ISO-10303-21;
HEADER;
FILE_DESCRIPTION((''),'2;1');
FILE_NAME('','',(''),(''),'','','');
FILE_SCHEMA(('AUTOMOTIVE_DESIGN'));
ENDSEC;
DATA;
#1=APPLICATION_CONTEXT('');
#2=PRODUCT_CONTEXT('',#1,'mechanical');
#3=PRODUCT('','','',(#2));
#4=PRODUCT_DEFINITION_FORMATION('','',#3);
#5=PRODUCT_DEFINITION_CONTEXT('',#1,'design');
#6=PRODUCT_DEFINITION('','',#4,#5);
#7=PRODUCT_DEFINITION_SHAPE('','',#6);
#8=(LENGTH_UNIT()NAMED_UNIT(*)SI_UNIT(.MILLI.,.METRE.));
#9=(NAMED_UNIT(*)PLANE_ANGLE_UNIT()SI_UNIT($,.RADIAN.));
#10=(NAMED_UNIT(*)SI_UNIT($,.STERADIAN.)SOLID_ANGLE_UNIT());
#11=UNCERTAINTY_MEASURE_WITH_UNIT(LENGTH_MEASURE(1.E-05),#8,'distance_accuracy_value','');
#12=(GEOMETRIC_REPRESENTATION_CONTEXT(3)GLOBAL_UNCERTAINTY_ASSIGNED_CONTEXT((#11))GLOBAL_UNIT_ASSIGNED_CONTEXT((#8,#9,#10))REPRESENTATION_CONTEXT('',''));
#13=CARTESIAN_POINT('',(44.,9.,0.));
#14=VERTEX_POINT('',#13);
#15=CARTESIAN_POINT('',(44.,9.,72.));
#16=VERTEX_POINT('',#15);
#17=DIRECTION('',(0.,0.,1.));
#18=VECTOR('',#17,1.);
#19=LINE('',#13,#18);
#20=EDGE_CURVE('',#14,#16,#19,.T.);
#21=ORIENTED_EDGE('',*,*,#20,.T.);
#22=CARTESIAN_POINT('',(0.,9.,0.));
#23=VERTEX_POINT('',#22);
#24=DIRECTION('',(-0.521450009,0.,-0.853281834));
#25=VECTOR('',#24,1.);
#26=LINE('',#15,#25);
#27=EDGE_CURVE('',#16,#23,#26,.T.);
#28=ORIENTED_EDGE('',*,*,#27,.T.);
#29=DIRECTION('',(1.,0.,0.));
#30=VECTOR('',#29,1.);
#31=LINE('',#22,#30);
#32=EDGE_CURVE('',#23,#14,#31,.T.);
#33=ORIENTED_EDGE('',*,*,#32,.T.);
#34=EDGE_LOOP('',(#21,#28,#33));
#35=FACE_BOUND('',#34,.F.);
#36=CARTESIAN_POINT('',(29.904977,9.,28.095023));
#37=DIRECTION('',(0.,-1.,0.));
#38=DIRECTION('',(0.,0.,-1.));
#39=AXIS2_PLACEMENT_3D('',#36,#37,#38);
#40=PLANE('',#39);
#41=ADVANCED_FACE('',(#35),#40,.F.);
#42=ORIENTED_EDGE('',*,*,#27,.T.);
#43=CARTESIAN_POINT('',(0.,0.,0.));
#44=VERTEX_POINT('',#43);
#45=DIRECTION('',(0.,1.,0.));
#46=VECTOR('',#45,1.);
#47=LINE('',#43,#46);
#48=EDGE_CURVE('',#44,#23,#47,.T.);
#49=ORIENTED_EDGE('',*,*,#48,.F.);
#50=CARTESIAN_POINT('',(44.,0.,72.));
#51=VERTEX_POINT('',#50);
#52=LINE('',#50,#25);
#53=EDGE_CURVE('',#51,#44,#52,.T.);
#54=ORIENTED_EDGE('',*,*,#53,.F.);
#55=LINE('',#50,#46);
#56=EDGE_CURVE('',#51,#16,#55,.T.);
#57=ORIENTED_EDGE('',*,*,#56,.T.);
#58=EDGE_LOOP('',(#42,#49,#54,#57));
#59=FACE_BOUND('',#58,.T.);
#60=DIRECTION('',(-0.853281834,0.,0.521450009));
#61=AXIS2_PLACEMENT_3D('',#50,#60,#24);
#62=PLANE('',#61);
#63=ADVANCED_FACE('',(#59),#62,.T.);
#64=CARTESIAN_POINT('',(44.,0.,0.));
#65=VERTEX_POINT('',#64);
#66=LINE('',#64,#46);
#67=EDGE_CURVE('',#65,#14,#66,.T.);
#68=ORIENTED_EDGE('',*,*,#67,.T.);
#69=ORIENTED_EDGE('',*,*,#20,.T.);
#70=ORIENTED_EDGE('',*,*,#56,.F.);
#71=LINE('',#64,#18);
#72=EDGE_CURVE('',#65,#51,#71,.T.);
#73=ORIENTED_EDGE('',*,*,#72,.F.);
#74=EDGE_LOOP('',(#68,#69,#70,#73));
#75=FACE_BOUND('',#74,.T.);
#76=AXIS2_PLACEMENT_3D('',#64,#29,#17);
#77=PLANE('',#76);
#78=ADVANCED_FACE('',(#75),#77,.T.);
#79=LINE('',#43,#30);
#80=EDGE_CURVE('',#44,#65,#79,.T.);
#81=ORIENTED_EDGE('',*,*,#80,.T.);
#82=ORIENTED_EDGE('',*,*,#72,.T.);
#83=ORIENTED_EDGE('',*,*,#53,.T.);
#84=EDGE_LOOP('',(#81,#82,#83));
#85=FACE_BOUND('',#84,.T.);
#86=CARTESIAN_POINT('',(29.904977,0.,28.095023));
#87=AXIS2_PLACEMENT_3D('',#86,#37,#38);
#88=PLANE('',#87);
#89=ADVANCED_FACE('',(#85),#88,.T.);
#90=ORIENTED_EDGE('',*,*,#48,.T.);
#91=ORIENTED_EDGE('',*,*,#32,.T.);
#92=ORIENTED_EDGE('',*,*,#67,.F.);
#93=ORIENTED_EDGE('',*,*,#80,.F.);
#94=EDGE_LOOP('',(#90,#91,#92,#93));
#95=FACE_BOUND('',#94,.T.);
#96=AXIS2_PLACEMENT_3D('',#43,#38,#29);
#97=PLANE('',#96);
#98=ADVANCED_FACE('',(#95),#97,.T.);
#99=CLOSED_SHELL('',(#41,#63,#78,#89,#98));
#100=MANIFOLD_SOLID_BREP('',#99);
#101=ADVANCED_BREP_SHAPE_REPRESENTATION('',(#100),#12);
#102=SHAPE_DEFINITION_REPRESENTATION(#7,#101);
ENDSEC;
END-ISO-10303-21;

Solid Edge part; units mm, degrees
sketch "Sketch1" plane through (0, 0, 0) normal (0, -1, 0) x (1, 0, 0)
  line L0 (0, 0) -> (44, 0)
  line L1 (44, 0) -> (44, 72)
  line L2 (44, 72) -> (0, 0)
extrude "Protrusion1" add sketch "Sketch1" against normal blind 9
